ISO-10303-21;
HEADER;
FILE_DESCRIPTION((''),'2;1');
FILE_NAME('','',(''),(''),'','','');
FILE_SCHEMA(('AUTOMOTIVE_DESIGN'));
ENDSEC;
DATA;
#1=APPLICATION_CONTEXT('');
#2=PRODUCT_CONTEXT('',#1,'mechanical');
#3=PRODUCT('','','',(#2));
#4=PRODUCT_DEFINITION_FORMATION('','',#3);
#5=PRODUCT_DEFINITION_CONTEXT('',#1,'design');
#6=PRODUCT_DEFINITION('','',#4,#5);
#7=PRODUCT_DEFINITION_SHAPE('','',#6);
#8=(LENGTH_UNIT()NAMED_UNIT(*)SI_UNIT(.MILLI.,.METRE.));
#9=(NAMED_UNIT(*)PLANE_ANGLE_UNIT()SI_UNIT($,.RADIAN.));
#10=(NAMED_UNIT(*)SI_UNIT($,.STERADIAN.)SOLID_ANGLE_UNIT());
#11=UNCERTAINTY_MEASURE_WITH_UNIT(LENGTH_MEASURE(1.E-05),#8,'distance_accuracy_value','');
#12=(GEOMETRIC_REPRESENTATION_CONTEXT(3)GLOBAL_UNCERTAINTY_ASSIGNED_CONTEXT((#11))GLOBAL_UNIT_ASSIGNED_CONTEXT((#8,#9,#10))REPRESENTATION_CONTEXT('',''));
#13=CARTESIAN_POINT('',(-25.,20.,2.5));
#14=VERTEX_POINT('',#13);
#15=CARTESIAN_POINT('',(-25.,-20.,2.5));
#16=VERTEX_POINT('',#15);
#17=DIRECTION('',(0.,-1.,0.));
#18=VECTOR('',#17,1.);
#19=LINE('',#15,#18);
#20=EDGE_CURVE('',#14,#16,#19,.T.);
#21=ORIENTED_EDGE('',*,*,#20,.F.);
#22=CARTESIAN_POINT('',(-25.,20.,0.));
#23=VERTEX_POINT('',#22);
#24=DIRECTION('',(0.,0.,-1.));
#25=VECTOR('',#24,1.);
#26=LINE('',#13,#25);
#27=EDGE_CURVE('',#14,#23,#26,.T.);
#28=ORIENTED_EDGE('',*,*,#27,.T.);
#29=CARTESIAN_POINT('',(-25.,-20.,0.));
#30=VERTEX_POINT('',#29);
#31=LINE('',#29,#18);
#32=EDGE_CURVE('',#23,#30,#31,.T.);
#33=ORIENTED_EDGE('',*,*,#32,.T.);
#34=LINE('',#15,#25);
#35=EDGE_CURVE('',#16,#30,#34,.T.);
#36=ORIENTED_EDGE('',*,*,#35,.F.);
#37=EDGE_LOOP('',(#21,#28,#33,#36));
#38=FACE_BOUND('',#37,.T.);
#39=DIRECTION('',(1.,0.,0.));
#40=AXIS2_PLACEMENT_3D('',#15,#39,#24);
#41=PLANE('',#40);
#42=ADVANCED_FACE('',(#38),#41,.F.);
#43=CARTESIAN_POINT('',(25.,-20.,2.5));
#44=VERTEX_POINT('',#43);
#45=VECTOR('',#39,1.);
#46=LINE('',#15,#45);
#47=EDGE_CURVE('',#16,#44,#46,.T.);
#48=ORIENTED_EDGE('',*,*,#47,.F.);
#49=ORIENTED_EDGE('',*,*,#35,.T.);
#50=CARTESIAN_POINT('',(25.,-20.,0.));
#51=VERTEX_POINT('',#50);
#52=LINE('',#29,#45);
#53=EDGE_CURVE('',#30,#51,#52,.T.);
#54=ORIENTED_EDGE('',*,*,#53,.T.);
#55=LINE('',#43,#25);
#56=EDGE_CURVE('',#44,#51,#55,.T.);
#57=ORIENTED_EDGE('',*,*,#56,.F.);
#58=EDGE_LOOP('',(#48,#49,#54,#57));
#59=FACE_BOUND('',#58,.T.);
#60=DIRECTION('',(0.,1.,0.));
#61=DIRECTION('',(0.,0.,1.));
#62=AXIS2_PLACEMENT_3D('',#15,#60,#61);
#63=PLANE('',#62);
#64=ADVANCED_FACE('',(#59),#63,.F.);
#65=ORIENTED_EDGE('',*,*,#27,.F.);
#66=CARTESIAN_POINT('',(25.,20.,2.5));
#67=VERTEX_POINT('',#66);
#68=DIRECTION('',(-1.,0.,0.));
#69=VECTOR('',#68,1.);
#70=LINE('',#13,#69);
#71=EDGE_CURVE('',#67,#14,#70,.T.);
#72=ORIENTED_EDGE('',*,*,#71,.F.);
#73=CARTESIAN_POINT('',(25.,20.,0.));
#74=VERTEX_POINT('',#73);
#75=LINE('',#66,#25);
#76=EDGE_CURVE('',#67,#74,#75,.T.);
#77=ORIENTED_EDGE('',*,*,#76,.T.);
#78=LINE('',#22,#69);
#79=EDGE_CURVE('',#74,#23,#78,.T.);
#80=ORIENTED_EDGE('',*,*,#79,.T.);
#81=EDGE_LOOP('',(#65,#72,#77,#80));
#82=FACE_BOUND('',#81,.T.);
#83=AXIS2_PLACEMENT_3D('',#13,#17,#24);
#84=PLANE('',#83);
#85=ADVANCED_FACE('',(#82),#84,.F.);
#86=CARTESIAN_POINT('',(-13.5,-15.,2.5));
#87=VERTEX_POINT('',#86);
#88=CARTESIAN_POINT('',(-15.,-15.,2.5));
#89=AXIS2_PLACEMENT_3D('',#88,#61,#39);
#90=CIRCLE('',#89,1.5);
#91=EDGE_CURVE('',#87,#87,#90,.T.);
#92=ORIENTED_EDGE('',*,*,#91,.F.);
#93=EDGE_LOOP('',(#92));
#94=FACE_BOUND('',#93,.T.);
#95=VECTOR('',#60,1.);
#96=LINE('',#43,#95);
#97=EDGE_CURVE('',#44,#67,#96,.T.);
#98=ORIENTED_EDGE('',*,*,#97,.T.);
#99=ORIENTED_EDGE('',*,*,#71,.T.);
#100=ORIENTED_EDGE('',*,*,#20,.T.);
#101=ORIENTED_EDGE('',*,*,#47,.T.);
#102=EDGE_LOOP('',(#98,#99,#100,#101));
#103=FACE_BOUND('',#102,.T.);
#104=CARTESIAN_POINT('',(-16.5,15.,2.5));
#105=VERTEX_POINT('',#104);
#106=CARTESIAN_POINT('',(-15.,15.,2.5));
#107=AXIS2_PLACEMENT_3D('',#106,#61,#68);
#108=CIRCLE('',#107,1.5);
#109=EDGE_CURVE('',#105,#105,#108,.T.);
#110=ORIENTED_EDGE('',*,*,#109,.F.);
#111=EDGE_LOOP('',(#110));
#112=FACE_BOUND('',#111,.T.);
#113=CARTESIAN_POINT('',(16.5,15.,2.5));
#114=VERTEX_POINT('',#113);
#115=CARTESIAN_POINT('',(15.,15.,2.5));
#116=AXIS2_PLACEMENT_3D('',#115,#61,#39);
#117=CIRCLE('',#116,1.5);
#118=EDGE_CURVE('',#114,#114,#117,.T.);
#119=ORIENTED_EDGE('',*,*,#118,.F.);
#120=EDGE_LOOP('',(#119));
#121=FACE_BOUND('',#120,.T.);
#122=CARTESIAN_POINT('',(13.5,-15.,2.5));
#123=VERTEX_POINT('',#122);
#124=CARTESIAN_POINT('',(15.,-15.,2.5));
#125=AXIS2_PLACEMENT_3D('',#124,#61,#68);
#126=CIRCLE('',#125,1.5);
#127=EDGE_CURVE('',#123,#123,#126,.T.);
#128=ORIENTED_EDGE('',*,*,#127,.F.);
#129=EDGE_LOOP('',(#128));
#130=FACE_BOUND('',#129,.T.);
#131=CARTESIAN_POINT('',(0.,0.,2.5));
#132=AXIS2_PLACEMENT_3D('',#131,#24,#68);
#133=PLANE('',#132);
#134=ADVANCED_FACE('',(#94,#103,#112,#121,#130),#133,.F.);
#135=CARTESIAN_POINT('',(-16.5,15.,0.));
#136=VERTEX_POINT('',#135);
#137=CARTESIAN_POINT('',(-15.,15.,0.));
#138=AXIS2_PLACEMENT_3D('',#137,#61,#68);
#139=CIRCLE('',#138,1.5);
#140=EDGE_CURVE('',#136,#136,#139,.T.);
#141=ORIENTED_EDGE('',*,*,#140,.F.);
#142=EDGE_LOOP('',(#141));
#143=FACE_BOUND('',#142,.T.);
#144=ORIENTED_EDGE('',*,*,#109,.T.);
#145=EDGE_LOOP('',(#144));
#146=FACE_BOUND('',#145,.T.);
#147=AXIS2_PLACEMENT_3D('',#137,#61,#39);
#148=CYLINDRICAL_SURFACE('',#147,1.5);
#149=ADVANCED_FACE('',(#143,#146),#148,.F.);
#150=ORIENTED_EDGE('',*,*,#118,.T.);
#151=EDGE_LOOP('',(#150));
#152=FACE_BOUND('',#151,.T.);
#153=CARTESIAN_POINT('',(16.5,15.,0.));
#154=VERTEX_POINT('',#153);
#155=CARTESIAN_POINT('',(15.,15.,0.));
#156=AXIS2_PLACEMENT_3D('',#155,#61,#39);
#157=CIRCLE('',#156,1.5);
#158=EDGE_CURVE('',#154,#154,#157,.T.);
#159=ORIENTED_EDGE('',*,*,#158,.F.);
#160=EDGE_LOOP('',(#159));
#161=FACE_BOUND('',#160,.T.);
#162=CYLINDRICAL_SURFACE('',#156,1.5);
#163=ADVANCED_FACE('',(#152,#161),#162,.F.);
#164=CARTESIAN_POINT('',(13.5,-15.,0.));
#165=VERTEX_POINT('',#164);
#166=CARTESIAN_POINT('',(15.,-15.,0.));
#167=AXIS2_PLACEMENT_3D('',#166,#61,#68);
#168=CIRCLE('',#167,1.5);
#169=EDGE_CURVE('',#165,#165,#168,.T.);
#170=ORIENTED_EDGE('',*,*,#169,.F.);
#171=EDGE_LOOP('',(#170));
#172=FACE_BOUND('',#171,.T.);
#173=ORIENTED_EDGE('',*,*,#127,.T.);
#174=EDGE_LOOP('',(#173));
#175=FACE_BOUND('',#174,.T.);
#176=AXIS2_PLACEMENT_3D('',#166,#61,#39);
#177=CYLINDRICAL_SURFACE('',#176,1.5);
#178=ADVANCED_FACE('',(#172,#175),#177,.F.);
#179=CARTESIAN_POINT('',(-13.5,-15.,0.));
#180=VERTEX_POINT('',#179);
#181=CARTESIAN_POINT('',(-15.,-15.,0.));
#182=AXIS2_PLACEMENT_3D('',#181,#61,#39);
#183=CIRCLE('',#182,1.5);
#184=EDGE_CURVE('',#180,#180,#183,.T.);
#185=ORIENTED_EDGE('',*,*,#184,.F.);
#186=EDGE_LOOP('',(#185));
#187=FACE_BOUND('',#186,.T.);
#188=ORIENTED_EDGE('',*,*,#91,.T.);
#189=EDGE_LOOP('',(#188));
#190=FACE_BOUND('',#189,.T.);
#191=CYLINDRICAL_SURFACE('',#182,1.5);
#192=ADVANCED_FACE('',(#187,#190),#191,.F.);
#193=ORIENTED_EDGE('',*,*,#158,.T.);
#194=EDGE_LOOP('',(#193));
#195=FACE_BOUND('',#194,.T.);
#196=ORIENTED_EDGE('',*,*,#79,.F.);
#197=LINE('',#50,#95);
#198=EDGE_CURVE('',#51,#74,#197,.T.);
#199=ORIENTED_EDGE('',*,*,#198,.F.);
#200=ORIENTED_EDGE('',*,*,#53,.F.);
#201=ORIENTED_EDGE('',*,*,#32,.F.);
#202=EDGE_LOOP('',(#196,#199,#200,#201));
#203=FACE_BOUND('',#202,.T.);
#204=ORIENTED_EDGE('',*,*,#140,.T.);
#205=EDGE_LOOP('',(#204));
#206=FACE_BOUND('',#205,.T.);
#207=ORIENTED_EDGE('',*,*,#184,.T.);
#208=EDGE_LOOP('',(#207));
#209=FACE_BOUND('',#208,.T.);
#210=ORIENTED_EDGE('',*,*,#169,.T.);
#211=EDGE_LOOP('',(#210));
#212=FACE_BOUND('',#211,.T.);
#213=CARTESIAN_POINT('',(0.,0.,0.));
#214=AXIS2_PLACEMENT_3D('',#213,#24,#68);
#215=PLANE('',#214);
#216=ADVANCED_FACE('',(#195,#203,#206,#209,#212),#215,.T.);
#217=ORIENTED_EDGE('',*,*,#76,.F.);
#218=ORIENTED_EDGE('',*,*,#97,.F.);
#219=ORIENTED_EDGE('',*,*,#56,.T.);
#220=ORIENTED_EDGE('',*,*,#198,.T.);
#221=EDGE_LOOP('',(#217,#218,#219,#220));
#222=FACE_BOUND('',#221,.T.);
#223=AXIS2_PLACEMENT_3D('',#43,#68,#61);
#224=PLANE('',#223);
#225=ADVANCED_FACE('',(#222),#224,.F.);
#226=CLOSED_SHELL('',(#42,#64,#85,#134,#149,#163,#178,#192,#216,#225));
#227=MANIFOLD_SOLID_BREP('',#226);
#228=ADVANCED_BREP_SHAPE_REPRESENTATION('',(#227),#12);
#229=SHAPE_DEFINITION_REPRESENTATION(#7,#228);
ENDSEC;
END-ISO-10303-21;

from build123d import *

# Parameters (mm, degrees)
SKETCH1_W           = 50
SKETCH1_H           = 40
BOSS_EXTRUDE1_DEPTH = 2.5
SKETCH2_R           = 1.5
CUT_EXTRUDE1_DEPTH  = 2.5


with BuildPart() as part:
    # Sketch1 → Boss-Extrude1 (new body)
    with BuildSketch(Plane.XY):
        Rectangle(SKETCH1_W, SKETCH1_H)
    extrude(amount=BOSS_EXTRUDE1_DEPTH)

    # Sketch2 → Cut-Extrude1 (cut)
    with BuildSketch(Plane.XY.offset(2.5)):
        with Locations((15, 15)):
            Circle(SKETCH2_R)
        with Locations((15, -15)):
            Circle(SKETCH2_R)
        with Locations((-15, -15)):
            Circle(SKETCH2_R)
        with Locations((-15, 15)):
            Circle(SKETCH2_R)
    extrude(amount=-CUT_EXTRUDE1_DEPTH, mode=Mode.SUBTRACT)


solid = part.part
